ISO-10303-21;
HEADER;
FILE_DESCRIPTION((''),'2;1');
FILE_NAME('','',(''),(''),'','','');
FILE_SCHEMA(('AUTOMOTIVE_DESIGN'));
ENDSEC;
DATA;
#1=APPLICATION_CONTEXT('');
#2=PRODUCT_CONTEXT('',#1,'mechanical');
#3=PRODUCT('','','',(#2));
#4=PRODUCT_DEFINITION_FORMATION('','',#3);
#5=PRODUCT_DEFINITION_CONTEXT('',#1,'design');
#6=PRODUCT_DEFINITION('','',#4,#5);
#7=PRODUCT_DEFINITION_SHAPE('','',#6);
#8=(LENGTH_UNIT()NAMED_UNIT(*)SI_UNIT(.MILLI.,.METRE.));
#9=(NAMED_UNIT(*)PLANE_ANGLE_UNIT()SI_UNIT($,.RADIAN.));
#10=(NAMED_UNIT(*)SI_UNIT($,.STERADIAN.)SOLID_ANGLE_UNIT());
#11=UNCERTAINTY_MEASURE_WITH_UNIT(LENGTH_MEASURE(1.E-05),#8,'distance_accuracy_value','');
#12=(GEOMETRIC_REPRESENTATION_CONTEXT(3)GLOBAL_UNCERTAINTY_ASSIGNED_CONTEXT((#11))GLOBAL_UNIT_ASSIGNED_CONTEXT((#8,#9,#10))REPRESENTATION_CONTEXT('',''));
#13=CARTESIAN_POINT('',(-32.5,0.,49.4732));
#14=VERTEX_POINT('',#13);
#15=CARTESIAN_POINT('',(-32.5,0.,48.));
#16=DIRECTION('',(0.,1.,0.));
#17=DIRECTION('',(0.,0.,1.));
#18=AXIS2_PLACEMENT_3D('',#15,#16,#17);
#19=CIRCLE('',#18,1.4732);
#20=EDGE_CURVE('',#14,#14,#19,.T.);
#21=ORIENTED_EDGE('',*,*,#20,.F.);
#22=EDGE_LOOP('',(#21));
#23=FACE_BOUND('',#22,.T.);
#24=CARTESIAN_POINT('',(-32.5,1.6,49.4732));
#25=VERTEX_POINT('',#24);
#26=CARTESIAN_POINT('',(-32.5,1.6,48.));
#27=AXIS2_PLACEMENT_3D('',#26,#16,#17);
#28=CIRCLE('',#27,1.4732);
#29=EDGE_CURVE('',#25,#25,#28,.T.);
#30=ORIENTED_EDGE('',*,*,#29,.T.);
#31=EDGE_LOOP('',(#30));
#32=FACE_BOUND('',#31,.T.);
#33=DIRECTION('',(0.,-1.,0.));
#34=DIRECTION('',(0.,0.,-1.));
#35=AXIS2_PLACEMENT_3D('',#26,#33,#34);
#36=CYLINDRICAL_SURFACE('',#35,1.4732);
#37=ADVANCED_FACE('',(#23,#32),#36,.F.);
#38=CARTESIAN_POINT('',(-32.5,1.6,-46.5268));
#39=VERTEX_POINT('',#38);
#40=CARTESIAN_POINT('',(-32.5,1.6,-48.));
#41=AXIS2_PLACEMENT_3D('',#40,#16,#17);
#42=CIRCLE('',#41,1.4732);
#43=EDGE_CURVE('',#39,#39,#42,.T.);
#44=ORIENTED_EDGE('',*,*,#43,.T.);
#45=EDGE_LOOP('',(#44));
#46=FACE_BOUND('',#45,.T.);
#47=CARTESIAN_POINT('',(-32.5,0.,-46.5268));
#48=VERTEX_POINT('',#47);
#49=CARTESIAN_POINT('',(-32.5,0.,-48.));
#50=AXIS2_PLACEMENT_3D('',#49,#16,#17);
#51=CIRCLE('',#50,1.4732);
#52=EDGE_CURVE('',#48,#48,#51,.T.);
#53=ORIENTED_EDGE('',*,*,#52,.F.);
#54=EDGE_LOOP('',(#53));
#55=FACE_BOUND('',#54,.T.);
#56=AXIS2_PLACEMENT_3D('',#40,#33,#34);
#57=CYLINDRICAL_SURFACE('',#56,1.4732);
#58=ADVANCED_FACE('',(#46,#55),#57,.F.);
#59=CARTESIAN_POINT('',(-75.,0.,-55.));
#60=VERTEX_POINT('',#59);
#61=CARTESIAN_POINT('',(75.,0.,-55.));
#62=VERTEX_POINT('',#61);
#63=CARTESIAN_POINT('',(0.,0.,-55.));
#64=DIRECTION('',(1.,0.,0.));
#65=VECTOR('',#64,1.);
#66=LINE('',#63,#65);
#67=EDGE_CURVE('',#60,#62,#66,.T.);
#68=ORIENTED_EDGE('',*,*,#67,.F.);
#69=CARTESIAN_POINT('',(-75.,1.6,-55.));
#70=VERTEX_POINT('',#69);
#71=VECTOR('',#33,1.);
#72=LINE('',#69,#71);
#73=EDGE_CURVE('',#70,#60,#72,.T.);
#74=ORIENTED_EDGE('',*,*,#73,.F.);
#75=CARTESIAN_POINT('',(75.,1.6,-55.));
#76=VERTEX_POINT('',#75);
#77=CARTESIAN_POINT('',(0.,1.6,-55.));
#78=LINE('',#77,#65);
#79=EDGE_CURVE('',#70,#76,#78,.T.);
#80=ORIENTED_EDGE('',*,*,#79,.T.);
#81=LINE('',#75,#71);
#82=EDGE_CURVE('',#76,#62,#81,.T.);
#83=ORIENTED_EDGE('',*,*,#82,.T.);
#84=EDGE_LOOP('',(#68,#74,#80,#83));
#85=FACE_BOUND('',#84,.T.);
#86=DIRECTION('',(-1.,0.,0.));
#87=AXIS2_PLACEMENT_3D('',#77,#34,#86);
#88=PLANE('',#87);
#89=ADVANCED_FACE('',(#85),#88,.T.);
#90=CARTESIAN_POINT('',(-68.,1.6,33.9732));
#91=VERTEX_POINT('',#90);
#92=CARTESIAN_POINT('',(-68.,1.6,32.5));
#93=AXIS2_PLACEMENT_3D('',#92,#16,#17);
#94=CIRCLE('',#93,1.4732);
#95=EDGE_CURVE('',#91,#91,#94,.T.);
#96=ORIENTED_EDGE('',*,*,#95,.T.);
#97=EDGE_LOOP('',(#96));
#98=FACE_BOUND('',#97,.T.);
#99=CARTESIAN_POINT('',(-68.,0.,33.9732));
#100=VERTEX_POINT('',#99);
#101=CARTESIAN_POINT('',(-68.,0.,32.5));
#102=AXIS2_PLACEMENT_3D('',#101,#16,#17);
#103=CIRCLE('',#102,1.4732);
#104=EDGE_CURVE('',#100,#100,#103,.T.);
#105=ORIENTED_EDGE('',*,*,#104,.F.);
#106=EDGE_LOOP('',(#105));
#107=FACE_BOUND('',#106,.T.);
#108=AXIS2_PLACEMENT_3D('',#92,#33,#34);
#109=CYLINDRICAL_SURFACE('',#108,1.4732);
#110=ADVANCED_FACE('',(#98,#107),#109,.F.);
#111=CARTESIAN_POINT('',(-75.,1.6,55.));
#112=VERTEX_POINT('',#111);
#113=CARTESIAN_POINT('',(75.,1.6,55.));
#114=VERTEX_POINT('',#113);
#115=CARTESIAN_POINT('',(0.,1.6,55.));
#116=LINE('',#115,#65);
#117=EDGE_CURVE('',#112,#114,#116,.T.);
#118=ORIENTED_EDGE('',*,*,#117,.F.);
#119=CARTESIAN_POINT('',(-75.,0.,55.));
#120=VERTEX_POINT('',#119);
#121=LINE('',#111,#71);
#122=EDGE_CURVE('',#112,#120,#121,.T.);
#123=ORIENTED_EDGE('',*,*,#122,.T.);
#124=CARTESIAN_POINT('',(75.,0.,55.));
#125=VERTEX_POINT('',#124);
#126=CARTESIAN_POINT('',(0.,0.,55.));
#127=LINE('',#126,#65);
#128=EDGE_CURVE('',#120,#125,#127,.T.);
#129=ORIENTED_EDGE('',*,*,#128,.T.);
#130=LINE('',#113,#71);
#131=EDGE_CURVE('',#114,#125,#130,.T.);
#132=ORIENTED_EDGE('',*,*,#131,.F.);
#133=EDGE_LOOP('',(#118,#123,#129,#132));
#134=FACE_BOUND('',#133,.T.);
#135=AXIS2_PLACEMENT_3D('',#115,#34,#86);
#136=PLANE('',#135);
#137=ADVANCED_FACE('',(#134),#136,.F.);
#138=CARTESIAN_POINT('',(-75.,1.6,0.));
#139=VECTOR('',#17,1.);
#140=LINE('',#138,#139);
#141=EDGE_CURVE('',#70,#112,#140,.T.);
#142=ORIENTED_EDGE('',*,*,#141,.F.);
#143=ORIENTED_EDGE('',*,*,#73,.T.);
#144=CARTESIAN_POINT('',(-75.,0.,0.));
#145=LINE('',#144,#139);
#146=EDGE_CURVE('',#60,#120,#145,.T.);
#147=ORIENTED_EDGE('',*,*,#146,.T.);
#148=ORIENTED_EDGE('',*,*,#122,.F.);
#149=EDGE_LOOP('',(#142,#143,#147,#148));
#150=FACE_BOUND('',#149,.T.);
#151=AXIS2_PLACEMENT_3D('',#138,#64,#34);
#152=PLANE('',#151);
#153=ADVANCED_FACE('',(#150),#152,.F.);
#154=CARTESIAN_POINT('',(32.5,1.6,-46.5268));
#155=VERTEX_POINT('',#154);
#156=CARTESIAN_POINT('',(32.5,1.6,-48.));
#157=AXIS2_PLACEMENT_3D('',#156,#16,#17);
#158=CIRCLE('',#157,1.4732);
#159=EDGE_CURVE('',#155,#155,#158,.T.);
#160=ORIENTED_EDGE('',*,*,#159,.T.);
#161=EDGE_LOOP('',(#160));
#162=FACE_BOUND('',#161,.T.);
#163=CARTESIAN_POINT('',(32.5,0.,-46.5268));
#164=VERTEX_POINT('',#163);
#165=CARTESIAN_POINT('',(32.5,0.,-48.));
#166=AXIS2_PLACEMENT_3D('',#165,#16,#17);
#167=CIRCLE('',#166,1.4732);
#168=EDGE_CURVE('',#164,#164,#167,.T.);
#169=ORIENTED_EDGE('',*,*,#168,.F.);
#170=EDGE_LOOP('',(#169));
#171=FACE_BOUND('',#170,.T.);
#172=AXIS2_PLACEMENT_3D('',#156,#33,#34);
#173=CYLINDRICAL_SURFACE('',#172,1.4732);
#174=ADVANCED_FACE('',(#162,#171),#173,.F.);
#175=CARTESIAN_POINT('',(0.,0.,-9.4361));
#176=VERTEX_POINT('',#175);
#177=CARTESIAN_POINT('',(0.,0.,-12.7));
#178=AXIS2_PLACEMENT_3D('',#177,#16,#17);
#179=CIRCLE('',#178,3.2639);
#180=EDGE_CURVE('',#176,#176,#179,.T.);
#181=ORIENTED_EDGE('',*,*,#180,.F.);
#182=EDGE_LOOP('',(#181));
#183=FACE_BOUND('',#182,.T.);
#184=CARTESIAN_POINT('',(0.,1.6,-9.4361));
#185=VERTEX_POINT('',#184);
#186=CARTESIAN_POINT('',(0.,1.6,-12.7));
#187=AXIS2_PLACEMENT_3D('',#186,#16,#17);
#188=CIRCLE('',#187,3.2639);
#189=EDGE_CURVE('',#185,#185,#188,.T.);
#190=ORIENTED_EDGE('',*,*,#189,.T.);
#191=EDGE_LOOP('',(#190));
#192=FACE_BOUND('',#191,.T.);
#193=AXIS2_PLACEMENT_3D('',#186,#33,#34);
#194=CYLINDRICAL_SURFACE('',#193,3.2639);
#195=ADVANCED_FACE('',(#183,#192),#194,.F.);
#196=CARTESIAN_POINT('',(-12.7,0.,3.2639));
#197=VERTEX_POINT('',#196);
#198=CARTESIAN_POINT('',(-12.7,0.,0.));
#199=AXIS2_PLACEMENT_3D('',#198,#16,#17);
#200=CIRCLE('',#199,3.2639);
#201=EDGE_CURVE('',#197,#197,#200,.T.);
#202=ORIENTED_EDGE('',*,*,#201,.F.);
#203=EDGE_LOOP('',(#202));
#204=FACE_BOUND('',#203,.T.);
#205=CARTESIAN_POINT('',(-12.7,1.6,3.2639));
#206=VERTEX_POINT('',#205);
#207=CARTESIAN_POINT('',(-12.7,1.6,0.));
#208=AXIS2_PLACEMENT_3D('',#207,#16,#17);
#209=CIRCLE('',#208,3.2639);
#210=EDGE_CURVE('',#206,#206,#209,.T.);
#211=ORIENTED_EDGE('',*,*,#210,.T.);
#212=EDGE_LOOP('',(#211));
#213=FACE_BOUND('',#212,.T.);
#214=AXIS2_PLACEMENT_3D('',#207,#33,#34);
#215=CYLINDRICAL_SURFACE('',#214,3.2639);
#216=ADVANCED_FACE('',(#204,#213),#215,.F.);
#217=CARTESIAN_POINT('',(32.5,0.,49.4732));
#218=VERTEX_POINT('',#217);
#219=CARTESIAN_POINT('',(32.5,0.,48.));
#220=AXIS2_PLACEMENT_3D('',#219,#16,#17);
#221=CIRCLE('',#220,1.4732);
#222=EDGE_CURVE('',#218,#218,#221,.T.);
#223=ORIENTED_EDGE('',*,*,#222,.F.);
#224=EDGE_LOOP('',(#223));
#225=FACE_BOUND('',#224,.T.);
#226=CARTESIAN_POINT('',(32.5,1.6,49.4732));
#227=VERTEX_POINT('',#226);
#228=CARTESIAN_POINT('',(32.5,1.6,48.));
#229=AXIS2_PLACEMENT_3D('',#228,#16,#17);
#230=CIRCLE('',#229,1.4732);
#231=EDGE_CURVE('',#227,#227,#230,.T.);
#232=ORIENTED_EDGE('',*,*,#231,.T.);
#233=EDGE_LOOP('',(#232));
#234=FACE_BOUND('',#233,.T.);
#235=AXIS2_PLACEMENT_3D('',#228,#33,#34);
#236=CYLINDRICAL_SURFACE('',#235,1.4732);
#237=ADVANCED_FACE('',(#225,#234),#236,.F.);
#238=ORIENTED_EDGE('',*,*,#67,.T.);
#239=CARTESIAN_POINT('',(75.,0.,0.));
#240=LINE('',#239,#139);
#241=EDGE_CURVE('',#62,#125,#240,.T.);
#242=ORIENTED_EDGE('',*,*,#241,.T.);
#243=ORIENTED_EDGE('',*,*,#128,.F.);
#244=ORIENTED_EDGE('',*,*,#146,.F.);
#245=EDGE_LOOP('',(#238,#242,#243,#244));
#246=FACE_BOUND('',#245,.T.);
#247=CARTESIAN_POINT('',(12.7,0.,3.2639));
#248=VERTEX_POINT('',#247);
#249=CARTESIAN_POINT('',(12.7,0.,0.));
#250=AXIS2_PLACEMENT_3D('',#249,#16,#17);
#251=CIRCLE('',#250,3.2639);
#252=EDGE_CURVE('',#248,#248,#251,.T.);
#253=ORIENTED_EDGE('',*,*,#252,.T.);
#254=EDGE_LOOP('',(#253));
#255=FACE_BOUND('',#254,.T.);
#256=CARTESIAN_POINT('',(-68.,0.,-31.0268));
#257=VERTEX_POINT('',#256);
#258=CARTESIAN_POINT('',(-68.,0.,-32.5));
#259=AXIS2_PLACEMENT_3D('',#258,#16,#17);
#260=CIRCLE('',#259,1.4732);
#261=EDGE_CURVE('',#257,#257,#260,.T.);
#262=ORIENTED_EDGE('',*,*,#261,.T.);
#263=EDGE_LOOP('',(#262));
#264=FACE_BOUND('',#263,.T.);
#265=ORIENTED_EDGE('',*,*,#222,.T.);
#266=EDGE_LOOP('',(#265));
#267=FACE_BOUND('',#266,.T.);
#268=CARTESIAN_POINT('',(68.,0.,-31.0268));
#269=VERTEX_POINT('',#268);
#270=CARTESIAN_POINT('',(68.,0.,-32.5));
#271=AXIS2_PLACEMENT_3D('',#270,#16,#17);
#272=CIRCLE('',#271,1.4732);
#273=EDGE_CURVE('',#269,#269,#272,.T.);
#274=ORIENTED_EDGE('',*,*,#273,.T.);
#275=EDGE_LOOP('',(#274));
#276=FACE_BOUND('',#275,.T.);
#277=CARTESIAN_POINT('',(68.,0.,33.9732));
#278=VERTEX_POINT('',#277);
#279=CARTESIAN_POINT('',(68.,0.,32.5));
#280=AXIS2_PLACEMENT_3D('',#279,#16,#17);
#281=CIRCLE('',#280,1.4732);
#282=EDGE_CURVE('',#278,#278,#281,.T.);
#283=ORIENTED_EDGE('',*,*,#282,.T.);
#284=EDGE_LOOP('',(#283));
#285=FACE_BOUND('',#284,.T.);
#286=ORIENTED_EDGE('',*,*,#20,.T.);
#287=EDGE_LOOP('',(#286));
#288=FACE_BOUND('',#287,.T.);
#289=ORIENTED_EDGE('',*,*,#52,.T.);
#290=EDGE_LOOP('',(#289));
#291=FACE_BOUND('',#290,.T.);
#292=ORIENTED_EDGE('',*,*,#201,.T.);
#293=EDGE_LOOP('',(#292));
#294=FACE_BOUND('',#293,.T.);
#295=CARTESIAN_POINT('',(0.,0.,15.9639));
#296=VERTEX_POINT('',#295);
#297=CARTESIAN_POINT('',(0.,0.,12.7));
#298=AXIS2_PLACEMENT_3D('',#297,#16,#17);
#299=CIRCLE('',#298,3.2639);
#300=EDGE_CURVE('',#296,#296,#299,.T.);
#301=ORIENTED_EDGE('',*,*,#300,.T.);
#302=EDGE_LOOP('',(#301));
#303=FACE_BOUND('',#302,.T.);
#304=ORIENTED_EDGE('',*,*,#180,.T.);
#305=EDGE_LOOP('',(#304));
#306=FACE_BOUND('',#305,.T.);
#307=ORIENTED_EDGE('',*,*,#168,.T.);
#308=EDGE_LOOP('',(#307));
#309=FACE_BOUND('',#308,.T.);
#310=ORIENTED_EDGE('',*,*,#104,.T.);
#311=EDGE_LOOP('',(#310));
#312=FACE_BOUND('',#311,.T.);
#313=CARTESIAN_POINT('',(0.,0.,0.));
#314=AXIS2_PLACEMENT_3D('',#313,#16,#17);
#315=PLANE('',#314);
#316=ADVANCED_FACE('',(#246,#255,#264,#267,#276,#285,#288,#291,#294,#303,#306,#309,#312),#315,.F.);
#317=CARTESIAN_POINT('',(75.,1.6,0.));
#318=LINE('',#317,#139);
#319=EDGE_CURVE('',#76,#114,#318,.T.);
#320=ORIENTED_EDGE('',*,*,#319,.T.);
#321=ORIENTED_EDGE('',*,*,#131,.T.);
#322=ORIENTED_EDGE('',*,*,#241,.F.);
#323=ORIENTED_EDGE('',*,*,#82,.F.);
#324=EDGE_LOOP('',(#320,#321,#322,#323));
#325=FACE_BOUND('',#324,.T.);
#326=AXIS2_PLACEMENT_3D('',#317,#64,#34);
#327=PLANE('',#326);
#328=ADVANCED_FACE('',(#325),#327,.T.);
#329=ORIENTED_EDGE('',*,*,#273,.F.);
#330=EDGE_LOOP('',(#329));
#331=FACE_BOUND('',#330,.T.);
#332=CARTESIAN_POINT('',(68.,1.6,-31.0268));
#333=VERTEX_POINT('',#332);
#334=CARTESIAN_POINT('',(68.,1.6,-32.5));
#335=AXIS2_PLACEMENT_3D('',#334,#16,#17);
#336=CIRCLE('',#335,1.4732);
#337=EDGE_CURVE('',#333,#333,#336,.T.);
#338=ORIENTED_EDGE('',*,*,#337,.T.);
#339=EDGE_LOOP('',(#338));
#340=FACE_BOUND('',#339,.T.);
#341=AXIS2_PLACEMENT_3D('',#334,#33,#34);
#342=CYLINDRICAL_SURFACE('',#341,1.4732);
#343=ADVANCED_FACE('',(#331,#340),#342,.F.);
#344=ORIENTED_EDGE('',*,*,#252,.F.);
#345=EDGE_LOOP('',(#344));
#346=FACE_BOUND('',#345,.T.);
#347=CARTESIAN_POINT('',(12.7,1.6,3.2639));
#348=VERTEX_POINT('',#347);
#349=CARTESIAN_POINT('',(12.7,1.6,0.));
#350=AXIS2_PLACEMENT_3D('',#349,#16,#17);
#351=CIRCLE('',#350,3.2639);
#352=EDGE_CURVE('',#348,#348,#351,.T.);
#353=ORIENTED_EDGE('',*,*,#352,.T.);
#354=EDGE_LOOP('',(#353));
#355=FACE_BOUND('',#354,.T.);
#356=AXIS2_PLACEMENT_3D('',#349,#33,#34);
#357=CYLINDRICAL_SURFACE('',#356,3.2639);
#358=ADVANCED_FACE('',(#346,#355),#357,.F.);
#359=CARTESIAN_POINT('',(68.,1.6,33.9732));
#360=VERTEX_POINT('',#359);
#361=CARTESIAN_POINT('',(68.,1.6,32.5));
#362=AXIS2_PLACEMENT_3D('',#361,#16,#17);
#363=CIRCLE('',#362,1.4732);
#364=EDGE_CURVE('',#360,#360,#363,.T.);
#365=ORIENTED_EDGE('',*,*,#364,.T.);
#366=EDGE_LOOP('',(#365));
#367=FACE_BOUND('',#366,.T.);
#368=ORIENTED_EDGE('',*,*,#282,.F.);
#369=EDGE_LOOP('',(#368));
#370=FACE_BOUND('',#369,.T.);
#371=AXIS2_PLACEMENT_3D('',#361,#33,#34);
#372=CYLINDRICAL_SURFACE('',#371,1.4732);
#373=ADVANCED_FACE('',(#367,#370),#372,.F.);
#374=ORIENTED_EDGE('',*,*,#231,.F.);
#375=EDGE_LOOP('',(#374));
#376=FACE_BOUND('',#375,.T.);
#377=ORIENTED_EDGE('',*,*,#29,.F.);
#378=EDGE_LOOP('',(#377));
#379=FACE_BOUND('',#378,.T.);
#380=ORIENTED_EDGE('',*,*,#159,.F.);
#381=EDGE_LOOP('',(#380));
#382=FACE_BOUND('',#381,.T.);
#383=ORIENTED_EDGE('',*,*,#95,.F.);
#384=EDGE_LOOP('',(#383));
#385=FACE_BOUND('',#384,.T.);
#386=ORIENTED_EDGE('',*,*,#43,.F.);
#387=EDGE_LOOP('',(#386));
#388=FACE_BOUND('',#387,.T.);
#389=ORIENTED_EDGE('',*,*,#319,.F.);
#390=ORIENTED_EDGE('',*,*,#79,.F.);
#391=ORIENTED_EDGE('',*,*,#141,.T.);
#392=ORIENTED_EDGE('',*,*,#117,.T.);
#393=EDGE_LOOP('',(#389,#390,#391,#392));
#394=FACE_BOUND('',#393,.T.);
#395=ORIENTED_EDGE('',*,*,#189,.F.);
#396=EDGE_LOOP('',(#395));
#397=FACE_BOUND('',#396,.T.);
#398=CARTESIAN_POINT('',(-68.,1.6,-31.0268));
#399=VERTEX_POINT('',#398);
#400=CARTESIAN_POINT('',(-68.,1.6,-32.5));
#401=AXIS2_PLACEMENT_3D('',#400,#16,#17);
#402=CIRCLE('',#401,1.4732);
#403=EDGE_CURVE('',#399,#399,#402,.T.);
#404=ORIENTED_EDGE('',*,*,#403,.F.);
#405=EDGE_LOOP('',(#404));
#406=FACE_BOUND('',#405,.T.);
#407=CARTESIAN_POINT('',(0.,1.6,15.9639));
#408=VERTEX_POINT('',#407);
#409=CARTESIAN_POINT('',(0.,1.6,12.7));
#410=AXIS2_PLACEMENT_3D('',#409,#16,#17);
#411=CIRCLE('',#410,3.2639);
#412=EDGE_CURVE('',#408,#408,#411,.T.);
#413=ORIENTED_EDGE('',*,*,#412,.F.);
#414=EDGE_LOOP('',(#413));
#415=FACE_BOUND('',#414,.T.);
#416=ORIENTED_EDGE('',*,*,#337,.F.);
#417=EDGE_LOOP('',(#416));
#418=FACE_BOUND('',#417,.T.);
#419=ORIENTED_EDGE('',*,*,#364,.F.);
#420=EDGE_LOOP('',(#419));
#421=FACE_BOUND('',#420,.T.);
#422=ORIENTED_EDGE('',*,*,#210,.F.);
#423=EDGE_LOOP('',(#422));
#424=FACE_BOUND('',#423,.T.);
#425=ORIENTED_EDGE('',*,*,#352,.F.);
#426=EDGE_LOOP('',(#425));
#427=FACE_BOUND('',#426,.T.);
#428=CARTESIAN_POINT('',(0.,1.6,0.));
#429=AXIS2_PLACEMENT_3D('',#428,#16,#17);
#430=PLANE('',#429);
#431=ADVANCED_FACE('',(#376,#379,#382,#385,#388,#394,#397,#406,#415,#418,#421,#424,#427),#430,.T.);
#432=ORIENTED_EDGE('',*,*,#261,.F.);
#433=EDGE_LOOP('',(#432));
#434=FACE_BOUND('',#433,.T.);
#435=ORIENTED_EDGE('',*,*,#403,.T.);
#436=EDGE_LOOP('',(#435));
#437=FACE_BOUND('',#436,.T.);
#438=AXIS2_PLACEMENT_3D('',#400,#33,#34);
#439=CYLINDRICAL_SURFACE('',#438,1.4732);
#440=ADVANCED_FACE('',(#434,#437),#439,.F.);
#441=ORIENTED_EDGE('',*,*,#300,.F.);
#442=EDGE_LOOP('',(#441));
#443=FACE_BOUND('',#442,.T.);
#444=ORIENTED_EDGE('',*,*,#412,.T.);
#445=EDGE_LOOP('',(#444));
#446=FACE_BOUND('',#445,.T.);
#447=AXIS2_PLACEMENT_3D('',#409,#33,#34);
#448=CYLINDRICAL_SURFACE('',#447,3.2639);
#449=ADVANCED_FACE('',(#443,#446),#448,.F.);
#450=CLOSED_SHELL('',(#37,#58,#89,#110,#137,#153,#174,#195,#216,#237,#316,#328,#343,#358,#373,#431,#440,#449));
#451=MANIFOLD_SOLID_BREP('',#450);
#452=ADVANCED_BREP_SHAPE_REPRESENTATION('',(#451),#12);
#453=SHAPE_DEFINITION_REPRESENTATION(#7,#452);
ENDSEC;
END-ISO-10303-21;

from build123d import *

# Parameters (mm, degrees)
SKETCH1_W           = 150
SKETCH1_H           = 110
SKETCH1_R           = 3.2639
SKETCH1_R_2         = 1.4732
BOSS_EXTRUDE1_DEPTH = 1.6


with BuildPart() as part:
    # Sketch1 → Boss-Extrude1 (new body)
    with BuildSketch(Plane(origin=(0, 0, 0), x_dir=(1, 0, 0), z_dir=(0, 1, 0))):
        Rectangle(SKETCH1_W, SKETCH1_H)
        with Locations(Location((0, 12.7, 0), (0, 0, 270))):
            Circle(SKETCH1_R, mode=Mode.SUBTRACT)
        with Locations(Location((12.7, 0, 0), (0, 0, 270))):
            Circle(SKETCH1_R, mode=Mode.SUBTRACT)
        with Locations(Location((0, -12.7, 0), (0, 0, 270))):
            Circle(SKETCH1_R, mode=Mode.SUBTRACT)
        with Locations(Location((-12.7, 0, 0), (0, 0, 270))):
            Circle(SKETCH1_R, mode=Mode.SUBTRACT)
        with Locations(Location((-32.5, 48, 0), (0, 0, 270))):
            Circle(SKETCH1_R_2, mode=Mode.SUBTRACT)
        with Locations(Location((32.5, 48, 0), (0, 0, 270))):
            Circle(SKETCH1_R_2, mode=Mode.SUBTRACT)
        with Locations(Location((32.5, -48, 0), (0, 0, 270))):
            Circle(SKETCH1_R_2, mode=Mode.SUBTRACT)
        with Locations(Location((-32.5, -48, 0), (0, 0, 270))):
            Circle(SKETCH1_R_2, mode=Mode.SUBTRACT)
        with Locations(Location((-68, 32.5, 0), (0, 0, 270))):
            Circle(SKETCH1_R_2, mode=Mode.SUBTRACT)
        with Locations(Location((68, 32.5, 0), (0, 0, 270))):
            Circle(SKETCH1_R_2, mode=Mode.SUBTRACT)
        with Locations(Location((68, -32.5, 0), (0, 0, 270))):
            Circle(SKETCH1_R_2, mode=Mode.SUBTRACT)
        with Locations(Location((-68, -32.5, 0), (0, 0, 270))):
            Circle(SKETCH1_R_2, mode=Mode.SUBTRACT)
    extrude(amount=BOSS_EXTRUDE1_DEPTH)


solid = part.part
